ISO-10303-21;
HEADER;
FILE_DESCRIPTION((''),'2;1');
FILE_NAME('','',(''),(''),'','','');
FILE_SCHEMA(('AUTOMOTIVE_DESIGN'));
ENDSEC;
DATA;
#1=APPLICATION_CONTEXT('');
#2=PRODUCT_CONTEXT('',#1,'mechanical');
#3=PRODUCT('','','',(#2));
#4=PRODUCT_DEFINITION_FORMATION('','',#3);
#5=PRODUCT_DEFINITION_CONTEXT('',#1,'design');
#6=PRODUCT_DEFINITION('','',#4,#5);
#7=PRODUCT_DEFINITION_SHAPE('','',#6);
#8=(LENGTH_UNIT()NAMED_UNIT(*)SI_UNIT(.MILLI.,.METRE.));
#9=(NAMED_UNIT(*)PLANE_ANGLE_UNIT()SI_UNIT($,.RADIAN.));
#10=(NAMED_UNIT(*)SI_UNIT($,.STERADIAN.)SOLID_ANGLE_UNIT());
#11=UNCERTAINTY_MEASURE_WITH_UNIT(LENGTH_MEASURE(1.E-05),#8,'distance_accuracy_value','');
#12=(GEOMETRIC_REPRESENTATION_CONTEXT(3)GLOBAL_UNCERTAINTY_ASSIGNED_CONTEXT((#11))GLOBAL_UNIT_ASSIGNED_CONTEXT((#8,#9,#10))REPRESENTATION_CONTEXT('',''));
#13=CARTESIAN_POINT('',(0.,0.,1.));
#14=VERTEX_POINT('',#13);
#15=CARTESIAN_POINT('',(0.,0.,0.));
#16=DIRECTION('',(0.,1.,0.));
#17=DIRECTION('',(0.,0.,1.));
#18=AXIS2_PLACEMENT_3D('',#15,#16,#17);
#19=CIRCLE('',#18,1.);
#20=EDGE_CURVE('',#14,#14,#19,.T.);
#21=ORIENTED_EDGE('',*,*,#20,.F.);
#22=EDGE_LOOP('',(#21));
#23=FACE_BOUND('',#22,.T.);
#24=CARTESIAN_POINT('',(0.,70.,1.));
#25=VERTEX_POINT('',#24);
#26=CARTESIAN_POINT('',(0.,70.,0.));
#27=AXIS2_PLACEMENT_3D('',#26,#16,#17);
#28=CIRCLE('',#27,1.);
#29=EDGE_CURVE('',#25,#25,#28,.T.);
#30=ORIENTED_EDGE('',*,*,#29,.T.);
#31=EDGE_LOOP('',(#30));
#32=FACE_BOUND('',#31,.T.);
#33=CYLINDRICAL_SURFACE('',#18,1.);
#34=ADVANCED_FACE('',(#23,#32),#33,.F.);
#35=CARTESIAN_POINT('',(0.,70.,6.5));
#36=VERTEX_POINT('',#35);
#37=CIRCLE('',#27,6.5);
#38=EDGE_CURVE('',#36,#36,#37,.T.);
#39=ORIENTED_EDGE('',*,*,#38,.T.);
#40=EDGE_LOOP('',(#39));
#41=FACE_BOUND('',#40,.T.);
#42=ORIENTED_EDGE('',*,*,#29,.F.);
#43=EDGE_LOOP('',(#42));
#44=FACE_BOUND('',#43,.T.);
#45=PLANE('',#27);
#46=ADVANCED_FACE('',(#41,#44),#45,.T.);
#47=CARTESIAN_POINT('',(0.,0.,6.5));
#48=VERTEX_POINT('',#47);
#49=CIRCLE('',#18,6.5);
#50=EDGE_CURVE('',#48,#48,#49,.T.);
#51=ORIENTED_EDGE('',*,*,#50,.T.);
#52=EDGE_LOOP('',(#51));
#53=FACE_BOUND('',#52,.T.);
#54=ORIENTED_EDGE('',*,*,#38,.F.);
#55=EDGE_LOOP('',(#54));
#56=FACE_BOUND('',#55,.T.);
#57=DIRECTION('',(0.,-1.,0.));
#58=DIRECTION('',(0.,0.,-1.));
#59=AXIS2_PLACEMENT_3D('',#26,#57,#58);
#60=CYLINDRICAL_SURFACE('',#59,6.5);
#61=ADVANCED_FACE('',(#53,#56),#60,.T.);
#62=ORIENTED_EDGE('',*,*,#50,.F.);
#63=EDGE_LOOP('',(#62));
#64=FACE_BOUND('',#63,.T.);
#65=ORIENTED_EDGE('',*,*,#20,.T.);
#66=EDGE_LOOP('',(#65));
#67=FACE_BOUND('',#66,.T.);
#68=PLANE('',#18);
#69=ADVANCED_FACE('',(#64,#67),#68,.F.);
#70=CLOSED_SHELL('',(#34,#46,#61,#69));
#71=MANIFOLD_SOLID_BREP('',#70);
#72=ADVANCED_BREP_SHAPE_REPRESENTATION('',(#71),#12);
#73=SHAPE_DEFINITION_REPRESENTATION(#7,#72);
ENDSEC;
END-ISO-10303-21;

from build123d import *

# Parameters (mm, degrees)
SKETCH1_R           = 6.5
BOSS_EXTRUDE1_DEPTH = 70
SKETCH2_R           = 1
CUT_EXTRUDE1_DEPTH  = 71


with BuildPart() as part:
    # Sketch1 → Boss-Extrude1 (new body)
    with BuildSketch(Plane(origin=(0, 0, 0), x_dir=(1, 0, 0), z_dir=(0, 1, 0))):
        Circle(SKETCH1_R)
    extrude(amount=BOSS_EXTRUDE1_DEPTH)

    # Sketch2 → Cut-Extrude1 (cut, through all)
    with BuildSketch(Plane(origin=(0, 70, 0), x_dir=(1, 0, 0), z_dir=(0, 1, 0))):
        Circle(SKETCH2_R)
    extrude(amount=-CUT_EXTRUDE1_DEPTH, mode=Mode.SUBTRACT)


solid = part.part
